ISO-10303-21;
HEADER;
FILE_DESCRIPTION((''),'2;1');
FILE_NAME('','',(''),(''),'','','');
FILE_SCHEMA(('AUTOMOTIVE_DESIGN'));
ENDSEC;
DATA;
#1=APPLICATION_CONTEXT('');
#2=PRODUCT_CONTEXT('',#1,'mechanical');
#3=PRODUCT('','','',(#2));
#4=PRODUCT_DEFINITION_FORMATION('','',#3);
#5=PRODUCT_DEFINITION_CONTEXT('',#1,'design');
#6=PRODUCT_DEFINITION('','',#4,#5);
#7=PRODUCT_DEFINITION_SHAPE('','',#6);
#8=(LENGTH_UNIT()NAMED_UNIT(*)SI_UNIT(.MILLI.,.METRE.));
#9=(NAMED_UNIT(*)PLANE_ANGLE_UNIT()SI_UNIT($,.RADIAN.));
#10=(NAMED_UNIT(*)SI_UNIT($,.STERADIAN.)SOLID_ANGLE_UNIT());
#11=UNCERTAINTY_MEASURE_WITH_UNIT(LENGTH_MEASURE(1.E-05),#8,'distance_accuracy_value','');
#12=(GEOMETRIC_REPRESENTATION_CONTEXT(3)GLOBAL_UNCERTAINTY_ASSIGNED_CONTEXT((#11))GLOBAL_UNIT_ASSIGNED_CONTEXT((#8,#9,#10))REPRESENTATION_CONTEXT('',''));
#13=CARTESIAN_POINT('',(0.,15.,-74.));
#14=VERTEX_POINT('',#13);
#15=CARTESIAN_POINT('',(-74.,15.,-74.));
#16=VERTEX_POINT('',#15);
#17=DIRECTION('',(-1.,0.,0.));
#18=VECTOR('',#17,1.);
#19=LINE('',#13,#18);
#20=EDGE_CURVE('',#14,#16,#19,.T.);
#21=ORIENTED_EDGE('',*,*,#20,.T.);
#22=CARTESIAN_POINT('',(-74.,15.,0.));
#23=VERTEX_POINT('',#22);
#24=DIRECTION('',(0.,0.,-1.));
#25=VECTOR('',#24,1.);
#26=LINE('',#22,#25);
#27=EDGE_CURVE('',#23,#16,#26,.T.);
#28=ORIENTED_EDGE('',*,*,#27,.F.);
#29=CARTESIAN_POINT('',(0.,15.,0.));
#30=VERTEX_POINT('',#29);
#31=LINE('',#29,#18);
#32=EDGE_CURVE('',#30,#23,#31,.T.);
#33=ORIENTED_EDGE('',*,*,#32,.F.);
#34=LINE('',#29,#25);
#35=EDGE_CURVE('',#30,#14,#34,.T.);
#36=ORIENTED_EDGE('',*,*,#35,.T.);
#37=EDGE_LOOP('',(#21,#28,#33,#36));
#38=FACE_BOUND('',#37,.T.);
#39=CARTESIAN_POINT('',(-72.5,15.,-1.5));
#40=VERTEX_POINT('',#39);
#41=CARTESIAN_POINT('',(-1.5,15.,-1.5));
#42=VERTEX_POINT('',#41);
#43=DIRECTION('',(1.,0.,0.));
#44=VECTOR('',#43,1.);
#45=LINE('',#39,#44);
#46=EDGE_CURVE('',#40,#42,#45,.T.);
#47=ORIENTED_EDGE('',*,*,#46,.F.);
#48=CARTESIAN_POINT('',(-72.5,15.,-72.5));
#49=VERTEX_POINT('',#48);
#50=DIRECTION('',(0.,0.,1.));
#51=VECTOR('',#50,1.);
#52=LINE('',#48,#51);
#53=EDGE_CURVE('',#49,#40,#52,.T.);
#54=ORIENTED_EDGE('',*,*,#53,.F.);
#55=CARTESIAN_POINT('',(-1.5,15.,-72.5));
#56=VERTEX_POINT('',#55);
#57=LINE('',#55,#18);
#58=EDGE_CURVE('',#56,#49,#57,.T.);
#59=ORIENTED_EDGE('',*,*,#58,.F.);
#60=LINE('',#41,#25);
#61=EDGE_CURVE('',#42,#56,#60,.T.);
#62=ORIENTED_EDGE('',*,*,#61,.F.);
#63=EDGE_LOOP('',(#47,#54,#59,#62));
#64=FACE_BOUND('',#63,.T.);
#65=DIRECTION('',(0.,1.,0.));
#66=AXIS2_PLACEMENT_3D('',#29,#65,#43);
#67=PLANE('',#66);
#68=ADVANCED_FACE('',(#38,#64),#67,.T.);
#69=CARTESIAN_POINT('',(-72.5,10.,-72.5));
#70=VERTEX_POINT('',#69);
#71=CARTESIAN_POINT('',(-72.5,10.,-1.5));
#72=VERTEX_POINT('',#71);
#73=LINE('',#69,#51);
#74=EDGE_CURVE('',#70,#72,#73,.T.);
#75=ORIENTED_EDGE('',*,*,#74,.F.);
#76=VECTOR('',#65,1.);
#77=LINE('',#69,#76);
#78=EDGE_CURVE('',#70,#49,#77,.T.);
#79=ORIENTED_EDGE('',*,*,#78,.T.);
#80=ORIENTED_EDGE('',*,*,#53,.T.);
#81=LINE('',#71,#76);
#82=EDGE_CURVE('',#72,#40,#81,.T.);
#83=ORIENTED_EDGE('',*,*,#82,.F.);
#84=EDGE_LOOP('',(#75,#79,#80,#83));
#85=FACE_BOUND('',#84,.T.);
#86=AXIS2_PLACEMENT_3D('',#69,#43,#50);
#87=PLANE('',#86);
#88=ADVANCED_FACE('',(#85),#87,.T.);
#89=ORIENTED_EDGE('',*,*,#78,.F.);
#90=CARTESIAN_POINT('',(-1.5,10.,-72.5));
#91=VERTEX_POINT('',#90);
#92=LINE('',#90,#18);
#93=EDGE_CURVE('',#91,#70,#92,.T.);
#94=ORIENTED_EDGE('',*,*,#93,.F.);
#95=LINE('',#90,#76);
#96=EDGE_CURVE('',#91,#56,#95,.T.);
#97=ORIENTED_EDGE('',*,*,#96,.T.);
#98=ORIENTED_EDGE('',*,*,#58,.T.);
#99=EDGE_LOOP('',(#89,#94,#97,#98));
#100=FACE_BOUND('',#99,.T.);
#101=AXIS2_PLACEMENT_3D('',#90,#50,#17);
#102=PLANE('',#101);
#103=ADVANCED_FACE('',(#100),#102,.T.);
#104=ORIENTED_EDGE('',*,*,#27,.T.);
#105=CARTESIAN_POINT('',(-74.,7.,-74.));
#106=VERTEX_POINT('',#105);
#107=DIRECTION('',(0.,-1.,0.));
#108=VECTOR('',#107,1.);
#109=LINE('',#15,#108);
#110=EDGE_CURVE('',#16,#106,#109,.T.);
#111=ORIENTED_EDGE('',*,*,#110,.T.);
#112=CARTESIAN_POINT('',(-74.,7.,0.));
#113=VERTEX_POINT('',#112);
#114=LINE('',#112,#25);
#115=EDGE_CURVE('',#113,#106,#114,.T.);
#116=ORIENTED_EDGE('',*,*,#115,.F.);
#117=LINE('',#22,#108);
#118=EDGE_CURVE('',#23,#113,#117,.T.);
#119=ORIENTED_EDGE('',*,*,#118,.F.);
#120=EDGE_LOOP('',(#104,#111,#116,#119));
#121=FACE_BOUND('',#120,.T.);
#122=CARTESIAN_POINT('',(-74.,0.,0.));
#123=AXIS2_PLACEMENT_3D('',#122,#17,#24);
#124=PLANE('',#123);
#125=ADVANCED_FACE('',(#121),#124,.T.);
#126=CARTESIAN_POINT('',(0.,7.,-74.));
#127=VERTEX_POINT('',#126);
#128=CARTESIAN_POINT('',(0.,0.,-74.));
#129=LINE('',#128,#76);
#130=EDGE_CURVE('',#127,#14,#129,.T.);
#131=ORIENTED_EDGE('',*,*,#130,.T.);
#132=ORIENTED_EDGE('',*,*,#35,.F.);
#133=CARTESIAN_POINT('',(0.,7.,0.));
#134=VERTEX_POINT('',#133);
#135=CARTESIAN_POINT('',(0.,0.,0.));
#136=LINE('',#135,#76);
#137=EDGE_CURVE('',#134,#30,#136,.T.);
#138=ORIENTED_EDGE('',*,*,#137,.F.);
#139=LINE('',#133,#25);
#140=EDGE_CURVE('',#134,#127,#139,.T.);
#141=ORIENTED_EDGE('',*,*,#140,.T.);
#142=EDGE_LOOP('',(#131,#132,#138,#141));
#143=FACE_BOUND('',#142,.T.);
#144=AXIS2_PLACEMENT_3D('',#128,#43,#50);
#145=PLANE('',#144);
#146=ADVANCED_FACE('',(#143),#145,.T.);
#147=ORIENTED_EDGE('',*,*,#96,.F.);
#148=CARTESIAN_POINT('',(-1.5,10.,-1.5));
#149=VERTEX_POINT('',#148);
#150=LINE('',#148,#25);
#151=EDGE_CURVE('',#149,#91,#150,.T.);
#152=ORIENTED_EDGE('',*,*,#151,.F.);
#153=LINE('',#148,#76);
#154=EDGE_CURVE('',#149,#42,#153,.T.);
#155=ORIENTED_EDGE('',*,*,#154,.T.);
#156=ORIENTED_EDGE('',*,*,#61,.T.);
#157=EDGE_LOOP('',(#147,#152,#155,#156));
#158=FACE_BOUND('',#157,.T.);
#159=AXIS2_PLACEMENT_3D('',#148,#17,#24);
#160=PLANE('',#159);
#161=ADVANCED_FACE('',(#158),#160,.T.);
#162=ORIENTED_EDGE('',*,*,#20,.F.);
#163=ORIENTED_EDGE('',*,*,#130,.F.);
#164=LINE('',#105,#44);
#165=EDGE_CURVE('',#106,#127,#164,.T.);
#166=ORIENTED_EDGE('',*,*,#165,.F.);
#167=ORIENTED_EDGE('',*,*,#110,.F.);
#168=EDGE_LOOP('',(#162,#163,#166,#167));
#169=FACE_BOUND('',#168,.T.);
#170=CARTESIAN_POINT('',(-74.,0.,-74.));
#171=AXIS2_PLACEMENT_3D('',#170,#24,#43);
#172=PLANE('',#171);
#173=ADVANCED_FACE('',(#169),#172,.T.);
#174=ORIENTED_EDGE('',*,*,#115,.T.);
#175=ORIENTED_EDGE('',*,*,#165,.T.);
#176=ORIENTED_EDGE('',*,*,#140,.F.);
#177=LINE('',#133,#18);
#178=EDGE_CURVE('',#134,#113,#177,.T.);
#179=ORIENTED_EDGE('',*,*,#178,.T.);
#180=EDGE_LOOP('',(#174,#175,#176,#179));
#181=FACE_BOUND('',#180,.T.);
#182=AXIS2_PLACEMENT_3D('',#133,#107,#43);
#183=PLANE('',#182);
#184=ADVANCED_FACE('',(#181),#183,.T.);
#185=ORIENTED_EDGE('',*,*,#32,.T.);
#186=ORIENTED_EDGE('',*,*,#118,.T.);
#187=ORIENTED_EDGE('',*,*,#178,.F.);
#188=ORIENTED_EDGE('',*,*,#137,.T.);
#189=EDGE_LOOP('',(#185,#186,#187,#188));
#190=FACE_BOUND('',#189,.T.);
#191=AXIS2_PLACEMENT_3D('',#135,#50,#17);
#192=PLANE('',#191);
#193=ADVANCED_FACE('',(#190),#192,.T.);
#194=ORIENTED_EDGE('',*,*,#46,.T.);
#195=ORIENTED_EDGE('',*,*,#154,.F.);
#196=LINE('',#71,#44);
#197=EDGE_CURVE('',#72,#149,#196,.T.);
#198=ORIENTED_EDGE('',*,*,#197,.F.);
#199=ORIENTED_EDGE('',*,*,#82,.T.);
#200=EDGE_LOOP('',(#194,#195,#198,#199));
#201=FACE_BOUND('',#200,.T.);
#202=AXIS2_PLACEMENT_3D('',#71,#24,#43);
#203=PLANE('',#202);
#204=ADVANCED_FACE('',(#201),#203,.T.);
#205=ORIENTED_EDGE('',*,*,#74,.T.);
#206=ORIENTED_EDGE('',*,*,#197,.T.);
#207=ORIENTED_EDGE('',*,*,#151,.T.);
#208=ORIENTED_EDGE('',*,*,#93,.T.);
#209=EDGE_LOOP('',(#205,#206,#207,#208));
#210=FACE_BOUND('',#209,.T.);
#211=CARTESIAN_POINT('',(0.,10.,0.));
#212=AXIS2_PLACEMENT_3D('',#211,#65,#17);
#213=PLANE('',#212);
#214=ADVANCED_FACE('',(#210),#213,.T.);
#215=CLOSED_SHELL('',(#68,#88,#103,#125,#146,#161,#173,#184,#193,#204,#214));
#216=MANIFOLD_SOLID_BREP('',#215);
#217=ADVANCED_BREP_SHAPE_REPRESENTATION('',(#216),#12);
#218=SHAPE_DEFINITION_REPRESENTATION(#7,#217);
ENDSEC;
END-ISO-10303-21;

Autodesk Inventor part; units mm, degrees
ref_plane "YZ Plane" through (0, 0, 0) normal (1, 0, 0) x (0, 1, 0)
ref_plane "XZ Plane" through (0, 0, 0) normal (0, 1, 0) x (-1, 0, 0)
ref_plane "XY Plane" through (0, 0, 0) normal (0, 0, 1) x (1, 0, 0)
sketch "Sketch1" plane through (0, 0, 0) normal (0, 1, 0) x (-1, 0, 0)
  line L0 (0, 0) -> (74, 0)
  line L1 (74, 0) -> (74, -74)
  line L2 (74, -74) -> (0, -74)
  line L3 (0, -74) -> (0, 0)
  dimension "d0" = 74
  dimension "d1" = 74
extrude "Extrusion1" add sketch "Sketch1" along normal blind 10
sketch "Sketch2" plane through (0, 10, 0) normal (0, 1, 0) x (1, 0, 0)
  line L0 (0, 0) -> (0, 74) projected
  line L1 (0, 74) -> (-74, 74) projected
  line L2 (0, 0) -> (-74, 0)
  line L3 (-74, 0) -> (-74, 74)
  line L4 (-74, 74) -> (0, 74)
  line L5 (0, 74) -> (0, 0)
  line L6 (-72.5, 72.5) -> (-72.5, 1.5)
  line L7 (-72.5, 1.5) -> (-1.5, 1.5)
  line L8 (-1.5, 1.5) -> (-1.5, 72.5)
  line L9 (-1.5, 72.5) -> (-72.5, 72.5)
  dimension "d4" = 1.5
extrude "Extrusion2" add sketch "Sketch2" along normal blind 5
sketch "Sketch3" plane through (0, 0, 0) normal (0, -1, 0) x (1, 0, 0)
  line L0 (0, 0) -> (0, -74) projected
  line L1 (0, 0) -> (-74, 0)
  line L2 (-74, 0) -> (-74, -74)
  line L3 (-74, -74) -> (0, -74)
  line L4 (0, -74) -> (0, 0)
extrude "Extrusion3" cut sketch "Sketch3" against normal blind 5
sketch "Sketch4" plane through (0, 5, 0) normal (0, -1, 0) x (1, 0, 0)
  line L0 (0, 0) -> (0, -74) projected
  line L1 (-74, -74) -> (0, -74)
  line L2 (0, -74) -> (0, 0)
  line L3 (0, 0) -> (-74, 0)
  line L4 (-74, 0) -> (-74, -74)
extrude "Extrusion4" cut sketch "Sketch4" against normal blind 2
properties part number "DiffusorCapThin"
